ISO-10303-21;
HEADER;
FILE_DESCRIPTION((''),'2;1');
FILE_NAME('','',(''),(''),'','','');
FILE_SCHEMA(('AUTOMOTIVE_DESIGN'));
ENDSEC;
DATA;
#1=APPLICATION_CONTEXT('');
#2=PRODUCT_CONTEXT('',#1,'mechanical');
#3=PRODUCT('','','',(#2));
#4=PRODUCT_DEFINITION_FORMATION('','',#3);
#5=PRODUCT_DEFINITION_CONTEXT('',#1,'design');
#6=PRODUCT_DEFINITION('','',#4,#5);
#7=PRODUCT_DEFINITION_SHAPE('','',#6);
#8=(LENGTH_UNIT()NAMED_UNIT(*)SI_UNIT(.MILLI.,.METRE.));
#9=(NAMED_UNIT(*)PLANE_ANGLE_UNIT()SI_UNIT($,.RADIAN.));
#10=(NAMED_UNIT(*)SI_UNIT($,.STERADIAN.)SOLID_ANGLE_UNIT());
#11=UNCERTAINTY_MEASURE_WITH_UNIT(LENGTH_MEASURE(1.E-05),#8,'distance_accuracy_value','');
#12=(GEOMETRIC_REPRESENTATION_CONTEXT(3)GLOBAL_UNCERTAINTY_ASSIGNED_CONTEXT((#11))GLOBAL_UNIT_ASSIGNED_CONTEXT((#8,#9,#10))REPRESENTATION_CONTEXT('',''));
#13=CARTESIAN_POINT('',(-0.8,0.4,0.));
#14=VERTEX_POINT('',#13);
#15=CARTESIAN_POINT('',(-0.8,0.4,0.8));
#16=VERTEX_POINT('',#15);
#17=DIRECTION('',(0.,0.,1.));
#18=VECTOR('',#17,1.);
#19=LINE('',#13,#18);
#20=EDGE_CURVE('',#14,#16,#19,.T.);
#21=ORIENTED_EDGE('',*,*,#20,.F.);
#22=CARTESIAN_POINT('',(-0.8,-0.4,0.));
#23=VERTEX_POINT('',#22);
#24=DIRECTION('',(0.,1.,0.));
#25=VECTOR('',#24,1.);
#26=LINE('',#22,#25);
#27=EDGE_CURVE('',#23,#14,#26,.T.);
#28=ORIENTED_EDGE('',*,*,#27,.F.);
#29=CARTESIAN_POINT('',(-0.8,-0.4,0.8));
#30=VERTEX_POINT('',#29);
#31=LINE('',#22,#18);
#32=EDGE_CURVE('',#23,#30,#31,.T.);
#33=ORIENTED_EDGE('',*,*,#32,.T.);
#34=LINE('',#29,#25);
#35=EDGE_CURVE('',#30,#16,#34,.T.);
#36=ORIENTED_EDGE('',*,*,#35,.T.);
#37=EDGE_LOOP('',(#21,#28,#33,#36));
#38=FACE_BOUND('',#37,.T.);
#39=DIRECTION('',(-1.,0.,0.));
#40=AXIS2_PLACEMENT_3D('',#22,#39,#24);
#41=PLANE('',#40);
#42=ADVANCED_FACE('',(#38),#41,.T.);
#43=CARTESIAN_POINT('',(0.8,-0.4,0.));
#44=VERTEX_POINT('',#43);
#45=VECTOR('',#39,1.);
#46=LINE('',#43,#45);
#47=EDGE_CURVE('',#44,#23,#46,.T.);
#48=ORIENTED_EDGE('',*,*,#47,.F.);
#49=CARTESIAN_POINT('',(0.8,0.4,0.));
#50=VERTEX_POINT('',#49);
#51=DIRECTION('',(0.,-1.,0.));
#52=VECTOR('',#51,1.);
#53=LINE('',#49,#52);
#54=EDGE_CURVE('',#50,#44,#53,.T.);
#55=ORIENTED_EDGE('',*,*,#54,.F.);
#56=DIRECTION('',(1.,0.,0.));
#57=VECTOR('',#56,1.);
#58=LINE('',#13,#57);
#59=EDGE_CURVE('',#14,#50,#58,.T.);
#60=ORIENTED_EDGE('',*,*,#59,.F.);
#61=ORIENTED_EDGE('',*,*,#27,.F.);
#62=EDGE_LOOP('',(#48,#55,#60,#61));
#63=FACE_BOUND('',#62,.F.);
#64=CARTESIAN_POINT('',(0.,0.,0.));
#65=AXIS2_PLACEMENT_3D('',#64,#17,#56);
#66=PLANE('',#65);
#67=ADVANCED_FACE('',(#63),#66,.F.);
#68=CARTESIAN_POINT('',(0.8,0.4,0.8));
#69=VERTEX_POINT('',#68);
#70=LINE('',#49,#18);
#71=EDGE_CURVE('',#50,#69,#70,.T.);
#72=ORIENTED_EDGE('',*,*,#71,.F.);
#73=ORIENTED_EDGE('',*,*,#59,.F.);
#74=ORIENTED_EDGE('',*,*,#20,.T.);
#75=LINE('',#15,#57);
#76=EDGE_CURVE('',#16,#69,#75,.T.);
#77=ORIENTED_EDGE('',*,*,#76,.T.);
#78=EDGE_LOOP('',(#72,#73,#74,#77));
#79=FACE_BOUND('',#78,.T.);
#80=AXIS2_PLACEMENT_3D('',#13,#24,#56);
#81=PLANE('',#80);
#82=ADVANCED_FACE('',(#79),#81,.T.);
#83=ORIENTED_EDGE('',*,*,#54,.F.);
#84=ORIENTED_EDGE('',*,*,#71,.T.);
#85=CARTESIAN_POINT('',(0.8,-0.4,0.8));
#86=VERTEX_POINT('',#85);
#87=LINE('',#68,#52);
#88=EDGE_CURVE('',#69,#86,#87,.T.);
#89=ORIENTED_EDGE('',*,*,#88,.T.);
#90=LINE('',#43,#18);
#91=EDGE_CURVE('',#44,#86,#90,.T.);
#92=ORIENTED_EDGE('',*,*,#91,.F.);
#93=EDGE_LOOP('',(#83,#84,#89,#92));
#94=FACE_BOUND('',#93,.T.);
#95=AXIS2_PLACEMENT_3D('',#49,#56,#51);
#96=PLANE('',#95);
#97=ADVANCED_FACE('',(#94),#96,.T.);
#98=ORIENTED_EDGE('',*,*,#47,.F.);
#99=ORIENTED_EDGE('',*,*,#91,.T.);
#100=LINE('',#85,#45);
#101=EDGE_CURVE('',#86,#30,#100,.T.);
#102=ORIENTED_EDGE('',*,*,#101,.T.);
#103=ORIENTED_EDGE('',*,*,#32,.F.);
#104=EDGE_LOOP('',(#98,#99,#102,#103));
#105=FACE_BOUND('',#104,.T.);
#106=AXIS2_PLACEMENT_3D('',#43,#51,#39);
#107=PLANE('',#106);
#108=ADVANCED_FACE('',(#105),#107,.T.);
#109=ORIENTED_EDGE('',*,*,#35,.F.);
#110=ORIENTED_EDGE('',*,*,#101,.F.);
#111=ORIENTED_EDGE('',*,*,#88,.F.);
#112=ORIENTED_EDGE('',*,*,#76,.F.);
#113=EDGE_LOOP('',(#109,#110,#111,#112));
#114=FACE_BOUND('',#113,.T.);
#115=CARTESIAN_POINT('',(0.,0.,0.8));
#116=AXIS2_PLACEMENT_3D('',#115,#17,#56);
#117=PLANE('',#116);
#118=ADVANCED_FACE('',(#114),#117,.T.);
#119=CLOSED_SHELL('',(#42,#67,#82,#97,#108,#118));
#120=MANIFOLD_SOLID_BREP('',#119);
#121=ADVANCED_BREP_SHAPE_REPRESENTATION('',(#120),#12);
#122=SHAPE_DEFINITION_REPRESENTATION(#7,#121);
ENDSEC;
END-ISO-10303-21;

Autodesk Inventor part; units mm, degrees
ref_plane "YZ Plane" through (0, 0, 0) normal (1, 0, 0) x (0, 1, 0)
ref_plane "XZ Plane" through (0, 0, 0) normal (0, 1, 0) x (-1, 0, 0)
ref_plane "XY Plane" through (0, 0, 0) normal (0, 0, 1) x (1, 0, 0)
sketch "C0603, 100nF_67" plane through (0, 0, 0) normal (0, 0, 1) x (1, 0, 0)
  line L0 (-0.8, -0.4) -> (-0.8, 0.4)
  line L1 (-0.8, 0.4) -> (0.8, 0.4)
  line L2 (0.8, 0.4) -> (0.8, -0.4)
  line L3 (0.8, -0.4) -> (-0.8, -0.4)
extrude "Extrusion1" add sketch "C0603, 100nF_67" along normal blind 0.8
properties part number "100nF"
